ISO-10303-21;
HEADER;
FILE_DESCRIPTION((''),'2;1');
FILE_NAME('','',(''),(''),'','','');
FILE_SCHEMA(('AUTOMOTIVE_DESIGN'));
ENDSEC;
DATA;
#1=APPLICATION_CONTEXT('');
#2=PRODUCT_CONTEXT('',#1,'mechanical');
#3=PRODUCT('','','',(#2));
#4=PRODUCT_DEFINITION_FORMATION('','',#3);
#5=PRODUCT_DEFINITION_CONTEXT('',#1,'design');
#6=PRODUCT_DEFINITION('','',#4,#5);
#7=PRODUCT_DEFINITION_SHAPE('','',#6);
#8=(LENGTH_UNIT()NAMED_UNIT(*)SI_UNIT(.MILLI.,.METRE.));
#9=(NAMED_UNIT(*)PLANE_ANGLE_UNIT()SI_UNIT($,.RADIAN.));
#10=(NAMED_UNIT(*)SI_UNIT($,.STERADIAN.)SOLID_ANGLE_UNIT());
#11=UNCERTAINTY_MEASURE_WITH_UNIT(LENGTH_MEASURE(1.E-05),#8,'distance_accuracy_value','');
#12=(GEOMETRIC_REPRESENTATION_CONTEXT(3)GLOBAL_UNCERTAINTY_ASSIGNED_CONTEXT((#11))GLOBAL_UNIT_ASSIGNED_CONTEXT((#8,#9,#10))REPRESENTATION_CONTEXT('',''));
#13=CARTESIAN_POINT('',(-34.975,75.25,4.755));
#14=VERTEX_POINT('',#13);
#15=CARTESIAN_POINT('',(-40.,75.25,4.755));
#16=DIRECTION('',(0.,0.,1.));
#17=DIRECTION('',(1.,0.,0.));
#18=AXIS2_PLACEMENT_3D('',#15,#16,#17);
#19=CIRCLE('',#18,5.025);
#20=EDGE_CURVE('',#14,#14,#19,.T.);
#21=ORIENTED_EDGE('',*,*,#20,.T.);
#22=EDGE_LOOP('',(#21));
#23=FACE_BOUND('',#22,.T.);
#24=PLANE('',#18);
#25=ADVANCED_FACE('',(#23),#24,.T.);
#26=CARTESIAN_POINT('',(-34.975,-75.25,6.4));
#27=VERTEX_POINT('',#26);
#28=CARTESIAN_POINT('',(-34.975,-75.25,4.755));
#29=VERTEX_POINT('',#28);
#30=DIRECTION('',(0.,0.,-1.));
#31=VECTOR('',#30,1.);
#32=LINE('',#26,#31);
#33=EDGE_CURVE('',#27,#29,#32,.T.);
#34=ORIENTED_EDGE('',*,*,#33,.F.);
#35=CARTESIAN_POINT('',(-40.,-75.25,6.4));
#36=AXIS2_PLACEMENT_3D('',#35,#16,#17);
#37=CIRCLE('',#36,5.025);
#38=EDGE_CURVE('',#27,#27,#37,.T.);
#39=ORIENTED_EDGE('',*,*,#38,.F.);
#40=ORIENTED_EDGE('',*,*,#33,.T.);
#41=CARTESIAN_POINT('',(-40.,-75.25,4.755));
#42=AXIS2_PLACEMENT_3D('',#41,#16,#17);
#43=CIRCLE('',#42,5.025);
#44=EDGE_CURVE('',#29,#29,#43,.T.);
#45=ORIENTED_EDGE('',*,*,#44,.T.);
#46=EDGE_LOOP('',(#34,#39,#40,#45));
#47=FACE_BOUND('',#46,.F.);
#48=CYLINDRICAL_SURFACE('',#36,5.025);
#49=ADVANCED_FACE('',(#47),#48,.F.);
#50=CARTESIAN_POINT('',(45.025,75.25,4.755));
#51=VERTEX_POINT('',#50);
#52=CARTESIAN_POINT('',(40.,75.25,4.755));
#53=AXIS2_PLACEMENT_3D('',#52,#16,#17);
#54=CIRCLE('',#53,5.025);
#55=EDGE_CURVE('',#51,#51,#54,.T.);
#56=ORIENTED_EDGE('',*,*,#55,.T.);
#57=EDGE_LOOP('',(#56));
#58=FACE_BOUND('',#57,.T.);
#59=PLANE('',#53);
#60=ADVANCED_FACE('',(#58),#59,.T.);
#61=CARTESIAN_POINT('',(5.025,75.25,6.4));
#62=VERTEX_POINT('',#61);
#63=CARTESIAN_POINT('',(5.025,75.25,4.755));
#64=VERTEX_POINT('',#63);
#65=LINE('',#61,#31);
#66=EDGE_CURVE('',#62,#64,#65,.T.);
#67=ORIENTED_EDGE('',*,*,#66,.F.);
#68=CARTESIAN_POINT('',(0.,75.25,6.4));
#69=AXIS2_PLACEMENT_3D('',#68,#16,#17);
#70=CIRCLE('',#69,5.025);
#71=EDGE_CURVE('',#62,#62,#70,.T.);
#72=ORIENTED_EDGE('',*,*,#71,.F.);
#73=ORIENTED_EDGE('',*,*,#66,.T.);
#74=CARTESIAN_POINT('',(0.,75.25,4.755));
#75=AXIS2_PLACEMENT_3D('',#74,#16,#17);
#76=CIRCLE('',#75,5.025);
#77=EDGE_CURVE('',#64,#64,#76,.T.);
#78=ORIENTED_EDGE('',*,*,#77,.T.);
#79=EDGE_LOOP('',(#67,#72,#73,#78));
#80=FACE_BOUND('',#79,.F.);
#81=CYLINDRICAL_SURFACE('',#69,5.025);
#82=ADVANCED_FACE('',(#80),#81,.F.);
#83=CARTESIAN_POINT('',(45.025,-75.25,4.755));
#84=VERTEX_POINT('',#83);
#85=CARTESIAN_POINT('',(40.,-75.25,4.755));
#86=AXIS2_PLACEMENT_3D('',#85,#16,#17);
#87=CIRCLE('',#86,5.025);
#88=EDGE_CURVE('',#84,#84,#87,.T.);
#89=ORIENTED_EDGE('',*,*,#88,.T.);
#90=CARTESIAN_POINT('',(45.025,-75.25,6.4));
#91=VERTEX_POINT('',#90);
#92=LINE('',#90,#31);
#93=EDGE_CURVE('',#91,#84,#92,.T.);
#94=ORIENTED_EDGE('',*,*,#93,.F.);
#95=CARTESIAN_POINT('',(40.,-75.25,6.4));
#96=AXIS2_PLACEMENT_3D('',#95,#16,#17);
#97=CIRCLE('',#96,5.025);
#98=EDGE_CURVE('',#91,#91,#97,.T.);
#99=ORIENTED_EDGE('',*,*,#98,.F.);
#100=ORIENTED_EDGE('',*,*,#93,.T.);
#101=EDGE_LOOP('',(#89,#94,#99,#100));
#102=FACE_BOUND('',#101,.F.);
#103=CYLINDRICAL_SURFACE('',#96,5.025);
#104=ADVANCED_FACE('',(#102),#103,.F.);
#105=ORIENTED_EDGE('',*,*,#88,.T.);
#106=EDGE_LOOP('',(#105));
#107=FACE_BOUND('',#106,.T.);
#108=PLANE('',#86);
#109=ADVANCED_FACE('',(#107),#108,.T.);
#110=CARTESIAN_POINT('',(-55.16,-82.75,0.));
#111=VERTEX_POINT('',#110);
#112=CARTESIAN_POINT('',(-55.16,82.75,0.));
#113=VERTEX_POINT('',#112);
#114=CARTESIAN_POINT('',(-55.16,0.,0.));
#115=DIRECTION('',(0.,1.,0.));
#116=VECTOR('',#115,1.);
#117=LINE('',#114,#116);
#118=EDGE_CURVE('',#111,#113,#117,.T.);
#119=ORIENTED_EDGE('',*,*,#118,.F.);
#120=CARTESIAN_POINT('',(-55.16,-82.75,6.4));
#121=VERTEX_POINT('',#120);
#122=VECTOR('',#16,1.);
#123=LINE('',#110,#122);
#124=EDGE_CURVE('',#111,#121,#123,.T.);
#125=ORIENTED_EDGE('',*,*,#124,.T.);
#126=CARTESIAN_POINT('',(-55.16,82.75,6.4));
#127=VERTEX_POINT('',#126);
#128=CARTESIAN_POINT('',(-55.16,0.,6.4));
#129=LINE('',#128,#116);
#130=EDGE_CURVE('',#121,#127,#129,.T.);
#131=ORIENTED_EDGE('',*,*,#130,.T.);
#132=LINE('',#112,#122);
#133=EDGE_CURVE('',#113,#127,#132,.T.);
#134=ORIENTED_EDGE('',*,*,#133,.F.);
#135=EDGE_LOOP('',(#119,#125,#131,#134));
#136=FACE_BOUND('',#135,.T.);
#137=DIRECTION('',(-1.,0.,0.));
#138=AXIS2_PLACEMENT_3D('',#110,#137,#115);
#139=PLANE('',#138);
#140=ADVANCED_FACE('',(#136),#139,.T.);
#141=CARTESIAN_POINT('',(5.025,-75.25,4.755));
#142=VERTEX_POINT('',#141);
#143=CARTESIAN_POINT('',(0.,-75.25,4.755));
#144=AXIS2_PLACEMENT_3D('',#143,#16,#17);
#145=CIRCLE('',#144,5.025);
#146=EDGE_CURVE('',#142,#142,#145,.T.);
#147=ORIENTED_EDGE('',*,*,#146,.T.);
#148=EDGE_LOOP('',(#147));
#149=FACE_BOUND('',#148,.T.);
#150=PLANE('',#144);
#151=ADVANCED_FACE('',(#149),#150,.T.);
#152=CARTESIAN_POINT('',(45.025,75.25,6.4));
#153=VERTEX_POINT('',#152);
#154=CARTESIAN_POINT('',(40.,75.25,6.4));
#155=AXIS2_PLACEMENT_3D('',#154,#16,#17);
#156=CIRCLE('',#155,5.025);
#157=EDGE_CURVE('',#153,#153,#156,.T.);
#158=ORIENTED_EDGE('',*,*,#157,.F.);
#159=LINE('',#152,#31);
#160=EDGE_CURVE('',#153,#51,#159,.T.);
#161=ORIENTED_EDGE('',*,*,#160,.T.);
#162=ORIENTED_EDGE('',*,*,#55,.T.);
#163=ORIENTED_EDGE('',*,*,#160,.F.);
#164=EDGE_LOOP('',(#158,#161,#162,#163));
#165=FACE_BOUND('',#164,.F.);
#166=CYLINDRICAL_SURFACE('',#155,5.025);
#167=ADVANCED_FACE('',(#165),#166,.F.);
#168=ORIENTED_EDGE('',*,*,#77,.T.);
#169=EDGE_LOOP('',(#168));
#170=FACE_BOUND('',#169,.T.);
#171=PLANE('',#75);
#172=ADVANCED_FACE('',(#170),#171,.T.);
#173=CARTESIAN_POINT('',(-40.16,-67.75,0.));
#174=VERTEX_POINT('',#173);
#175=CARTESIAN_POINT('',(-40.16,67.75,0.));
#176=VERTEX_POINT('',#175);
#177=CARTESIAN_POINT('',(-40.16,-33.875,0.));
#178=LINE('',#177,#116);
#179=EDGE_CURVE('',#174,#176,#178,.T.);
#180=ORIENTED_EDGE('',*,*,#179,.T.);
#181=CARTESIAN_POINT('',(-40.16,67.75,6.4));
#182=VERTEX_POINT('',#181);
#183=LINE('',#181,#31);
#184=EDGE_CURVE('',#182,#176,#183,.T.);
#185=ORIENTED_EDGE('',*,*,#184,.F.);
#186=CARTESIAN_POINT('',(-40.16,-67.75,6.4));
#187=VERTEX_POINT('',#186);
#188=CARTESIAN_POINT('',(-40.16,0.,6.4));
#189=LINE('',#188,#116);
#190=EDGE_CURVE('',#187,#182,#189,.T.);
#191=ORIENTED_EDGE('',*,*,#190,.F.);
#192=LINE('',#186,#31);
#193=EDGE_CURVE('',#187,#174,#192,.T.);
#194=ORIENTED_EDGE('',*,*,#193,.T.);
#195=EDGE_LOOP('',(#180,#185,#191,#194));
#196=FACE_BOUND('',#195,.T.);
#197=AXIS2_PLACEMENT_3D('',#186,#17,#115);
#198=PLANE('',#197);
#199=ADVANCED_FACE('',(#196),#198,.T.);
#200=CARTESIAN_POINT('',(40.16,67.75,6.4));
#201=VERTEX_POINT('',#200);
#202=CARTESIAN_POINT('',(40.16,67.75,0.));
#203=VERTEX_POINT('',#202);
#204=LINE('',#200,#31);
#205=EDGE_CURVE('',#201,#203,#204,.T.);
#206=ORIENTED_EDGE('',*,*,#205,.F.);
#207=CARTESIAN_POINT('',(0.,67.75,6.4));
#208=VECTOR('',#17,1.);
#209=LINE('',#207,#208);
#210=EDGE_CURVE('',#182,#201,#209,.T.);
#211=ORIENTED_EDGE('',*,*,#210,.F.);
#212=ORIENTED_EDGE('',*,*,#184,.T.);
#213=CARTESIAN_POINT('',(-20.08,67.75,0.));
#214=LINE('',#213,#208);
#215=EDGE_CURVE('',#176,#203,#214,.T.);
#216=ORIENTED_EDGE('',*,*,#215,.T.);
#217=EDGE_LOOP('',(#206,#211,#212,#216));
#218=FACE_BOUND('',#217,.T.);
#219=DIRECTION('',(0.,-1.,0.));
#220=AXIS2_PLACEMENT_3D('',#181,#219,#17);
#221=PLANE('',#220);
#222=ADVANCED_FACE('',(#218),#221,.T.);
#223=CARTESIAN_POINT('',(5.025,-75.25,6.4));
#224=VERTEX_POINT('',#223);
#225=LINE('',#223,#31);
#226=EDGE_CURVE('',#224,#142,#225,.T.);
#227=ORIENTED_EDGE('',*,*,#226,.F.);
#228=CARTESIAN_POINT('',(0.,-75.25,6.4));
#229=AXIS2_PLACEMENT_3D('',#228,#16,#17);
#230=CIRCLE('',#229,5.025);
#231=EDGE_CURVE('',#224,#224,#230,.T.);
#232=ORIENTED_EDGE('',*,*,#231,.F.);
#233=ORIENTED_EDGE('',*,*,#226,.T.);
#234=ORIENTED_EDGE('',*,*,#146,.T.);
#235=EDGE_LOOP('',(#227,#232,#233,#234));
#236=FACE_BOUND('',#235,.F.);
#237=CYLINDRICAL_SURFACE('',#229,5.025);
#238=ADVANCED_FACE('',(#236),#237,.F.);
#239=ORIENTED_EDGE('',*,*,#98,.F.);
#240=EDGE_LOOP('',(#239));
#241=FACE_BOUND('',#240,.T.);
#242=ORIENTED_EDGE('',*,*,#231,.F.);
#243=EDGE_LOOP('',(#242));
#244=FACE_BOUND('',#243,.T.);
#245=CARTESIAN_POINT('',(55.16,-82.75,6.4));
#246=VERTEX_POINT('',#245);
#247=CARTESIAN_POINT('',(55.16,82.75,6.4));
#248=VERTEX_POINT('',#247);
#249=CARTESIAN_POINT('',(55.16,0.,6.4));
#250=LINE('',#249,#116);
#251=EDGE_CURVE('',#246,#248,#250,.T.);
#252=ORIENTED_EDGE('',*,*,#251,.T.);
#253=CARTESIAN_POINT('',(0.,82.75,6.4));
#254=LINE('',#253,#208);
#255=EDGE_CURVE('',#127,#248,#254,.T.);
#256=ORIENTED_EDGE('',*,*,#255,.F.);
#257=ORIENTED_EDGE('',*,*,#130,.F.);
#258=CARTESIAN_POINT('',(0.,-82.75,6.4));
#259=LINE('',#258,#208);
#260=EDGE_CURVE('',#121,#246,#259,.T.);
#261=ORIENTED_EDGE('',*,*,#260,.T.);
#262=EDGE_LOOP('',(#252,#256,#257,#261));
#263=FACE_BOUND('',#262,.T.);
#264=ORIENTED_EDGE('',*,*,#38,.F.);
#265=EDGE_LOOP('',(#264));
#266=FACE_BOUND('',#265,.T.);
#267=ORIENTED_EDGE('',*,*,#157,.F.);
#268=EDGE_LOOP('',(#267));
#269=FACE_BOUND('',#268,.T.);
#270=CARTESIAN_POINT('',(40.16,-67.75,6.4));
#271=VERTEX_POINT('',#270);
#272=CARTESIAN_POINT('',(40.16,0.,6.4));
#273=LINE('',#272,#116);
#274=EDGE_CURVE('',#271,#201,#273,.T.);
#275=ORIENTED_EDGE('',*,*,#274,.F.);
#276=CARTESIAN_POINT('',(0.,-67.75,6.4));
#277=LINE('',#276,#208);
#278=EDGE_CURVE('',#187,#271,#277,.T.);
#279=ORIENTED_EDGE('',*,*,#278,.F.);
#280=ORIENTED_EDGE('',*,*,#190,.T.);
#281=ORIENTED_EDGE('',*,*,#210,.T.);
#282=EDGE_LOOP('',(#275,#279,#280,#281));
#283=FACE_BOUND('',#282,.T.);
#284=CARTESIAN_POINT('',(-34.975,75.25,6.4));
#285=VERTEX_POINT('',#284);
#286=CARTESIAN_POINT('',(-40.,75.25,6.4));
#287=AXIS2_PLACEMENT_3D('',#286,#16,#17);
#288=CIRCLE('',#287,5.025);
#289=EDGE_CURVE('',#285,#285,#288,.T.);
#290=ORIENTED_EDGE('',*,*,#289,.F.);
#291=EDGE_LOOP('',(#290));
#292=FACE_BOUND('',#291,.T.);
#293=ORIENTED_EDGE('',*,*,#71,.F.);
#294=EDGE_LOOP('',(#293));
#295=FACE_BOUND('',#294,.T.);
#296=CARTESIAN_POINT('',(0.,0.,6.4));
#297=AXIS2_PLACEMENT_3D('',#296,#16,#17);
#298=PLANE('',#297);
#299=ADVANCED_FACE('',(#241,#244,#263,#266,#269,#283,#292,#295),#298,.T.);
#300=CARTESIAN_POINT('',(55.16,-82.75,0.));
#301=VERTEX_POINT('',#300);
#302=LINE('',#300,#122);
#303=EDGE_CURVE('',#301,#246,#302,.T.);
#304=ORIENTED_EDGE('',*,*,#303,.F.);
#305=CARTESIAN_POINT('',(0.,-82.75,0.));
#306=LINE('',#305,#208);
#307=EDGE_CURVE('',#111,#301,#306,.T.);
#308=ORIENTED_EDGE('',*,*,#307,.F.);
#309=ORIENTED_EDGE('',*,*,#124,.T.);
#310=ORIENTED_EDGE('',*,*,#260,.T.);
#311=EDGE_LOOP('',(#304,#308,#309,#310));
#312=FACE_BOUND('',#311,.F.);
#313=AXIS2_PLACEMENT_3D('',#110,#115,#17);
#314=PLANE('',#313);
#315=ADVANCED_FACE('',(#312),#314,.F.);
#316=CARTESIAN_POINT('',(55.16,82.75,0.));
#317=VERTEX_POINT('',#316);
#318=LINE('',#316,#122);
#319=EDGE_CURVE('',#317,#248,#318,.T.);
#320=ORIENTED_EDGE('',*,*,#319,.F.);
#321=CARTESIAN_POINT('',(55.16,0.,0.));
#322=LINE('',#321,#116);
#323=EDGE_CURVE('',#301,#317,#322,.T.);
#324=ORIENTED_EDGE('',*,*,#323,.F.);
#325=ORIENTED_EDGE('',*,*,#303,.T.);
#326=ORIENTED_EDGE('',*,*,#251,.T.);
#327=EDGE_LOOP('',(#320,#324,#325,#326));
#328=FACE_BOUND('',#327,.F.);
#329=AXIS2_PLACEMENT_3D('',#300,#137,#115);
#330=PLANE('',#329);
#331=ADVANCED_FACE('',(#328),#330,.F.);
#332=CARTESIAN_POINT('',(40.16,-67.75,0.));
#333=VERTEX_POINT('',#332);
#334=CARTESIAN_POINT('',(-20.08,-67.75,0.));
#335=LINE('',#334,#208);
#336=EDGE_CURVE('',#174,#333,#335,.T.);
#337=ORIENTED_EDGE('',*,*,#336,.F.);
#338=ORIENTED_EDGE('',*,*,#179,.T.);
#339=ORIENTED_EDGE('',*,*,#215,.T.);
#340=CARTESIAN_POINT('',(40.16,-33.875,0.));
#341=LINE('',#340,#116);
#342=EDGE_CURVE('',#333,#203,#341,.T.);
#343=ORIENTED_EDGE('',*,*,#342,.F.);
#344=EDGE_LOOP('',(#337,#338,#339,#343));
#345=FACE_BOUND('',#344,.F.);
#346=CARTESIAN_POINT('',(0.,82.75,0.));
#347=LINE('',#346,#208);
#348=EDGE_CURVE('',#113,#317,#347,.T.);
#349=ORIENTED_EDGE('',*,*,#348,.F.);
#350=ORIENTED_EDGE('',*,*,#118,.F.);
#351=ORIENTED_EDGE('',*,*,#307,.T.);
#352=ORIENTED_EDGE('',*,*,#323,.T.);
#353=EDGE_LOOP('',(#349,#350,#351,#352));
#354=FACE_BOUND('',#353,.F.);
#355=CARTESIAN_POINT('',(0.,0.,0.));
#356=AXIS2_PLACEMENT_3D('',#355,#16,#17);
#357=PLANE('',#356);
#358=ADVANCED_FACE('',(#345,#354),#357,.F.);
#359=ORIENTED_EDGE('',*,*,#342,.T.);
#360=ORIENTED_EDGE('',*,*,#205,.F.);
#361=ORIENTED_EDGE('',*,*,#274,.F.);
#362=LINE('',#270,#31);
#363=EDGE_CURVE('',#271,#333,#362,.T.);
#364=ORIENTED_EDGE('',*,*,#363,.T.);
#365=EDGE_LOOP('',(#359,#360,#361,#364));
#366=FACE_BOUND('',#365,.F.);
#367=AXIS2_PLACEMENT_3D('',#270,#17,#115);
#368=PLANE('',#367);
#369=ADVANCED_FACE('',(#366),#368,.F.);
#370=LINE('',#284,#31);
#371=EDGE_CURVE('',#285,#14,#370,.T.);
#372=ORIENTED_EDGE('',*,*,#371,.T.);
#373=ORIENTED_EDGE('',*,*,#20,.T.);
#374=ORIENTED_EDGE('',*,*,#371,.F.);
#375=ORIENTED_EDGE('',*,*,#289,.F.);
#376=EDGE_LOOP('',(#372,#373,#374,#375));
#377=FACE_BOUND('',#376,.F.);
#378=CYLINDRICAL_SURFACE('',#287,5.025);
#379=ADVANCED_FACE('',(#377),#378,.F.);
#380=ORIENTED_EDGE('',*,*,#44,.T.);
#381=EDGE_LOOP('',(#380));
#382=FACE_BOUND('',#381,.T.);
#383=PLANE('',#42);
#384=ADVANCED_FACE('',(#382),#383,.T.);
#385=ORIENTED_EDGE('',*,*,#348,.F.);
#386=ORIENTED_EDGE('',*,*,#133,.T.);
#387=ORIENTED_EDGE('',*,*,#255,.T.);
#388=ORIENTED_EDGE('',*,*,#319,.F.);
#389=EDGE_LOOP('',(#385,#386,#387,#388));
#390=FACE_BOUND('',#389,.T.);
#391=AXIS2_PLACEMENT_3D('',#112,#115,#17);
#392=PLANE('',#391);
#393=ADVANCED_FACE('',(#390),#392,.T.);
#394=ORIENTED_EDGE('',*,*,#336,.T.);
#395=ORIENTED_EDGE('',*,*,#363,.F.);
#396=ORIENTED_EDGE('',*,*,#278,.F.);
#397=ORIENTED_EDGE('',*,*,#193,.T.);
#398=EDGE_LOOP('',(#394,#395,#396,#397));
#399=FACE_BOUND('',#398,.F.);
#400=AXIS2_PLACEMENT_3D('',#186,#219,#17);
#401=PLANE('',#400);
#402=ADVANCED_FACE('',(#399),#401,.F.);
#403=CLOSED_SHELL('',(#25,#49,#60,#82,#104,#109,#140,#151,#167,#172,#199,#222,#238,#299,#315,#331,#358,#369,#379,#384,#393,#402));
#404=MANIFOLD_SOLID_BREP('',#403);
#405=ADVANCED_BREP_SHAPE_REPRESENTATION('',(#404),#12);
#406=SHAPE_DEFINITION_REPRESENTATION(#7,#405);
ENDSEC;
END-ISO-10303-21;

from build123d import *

# Parameters (mm, degrees)
SKETCH_W               = 110.32
SKETCH_H               = 165.5
PAD_DEPTH              = 6.4
SKETCH001_W            = 80.32
SKETCH001_H            = 135.5
POCKET_DEPTH           = 6.401
SKETCH002_R            = 5.025
POCKET001_DEPTH        = 1.645
LINEARPATTERN_COUNT    = 2
LINEARPATTERN_PITCH    = 40
LINEARPATTERN001_COUNT = 2
LINEARPATTERN001_PITCH = 40


with BuildPart() as part:
    # Sketch → Pad (new body)
    with BuildSketch(Plane.XY):
        Rectangle(SKETCH_W, SKETCH_H)
    extrude(amount=PAD_DEPTH)

    # Sketch001 → Pocket (cut, through all)
    with BuildSketch(Plane.XY.offset(6.4)):
        Rectangle(SKETCH001_W, SKETCH001_H)
    extrude(amount=-POCKET_DEPTH, mode=Mode.SUBTRACT)

    # Sketch002 → Pocket001 (cut)
    with BuildSketch(Plane.XY.offset(6.4)):
        with Locations((0, 75.25)):
            Circle(SKETCH002_R)
        with Locations((0, -75.25)):
            Circle(SKETCH002_R)
    pocket001 = extrude(amount=-POCKET001_DEPTH, mode=Mode.SUBTRACT)

    # LinearPattern: Pocket001 ×2
    with Locations(*[(i * LINEARPATTERN_PITCH, 0, 0) for i in range(1, LINEARPATTERN_COUNT)]):
        add(pocket001, mode=Mode.SUBTRACT)

    # LinearPattern001: Pocket001 ×2
    with Locations(*[(-i * LINEARPATTERN001_PITCH, 0, 0) for i in range(1, LINEARPATTERN001_COUNT)]):
        add(pocket001, mode=Mode.SUBTRACT)


solid = part.part
